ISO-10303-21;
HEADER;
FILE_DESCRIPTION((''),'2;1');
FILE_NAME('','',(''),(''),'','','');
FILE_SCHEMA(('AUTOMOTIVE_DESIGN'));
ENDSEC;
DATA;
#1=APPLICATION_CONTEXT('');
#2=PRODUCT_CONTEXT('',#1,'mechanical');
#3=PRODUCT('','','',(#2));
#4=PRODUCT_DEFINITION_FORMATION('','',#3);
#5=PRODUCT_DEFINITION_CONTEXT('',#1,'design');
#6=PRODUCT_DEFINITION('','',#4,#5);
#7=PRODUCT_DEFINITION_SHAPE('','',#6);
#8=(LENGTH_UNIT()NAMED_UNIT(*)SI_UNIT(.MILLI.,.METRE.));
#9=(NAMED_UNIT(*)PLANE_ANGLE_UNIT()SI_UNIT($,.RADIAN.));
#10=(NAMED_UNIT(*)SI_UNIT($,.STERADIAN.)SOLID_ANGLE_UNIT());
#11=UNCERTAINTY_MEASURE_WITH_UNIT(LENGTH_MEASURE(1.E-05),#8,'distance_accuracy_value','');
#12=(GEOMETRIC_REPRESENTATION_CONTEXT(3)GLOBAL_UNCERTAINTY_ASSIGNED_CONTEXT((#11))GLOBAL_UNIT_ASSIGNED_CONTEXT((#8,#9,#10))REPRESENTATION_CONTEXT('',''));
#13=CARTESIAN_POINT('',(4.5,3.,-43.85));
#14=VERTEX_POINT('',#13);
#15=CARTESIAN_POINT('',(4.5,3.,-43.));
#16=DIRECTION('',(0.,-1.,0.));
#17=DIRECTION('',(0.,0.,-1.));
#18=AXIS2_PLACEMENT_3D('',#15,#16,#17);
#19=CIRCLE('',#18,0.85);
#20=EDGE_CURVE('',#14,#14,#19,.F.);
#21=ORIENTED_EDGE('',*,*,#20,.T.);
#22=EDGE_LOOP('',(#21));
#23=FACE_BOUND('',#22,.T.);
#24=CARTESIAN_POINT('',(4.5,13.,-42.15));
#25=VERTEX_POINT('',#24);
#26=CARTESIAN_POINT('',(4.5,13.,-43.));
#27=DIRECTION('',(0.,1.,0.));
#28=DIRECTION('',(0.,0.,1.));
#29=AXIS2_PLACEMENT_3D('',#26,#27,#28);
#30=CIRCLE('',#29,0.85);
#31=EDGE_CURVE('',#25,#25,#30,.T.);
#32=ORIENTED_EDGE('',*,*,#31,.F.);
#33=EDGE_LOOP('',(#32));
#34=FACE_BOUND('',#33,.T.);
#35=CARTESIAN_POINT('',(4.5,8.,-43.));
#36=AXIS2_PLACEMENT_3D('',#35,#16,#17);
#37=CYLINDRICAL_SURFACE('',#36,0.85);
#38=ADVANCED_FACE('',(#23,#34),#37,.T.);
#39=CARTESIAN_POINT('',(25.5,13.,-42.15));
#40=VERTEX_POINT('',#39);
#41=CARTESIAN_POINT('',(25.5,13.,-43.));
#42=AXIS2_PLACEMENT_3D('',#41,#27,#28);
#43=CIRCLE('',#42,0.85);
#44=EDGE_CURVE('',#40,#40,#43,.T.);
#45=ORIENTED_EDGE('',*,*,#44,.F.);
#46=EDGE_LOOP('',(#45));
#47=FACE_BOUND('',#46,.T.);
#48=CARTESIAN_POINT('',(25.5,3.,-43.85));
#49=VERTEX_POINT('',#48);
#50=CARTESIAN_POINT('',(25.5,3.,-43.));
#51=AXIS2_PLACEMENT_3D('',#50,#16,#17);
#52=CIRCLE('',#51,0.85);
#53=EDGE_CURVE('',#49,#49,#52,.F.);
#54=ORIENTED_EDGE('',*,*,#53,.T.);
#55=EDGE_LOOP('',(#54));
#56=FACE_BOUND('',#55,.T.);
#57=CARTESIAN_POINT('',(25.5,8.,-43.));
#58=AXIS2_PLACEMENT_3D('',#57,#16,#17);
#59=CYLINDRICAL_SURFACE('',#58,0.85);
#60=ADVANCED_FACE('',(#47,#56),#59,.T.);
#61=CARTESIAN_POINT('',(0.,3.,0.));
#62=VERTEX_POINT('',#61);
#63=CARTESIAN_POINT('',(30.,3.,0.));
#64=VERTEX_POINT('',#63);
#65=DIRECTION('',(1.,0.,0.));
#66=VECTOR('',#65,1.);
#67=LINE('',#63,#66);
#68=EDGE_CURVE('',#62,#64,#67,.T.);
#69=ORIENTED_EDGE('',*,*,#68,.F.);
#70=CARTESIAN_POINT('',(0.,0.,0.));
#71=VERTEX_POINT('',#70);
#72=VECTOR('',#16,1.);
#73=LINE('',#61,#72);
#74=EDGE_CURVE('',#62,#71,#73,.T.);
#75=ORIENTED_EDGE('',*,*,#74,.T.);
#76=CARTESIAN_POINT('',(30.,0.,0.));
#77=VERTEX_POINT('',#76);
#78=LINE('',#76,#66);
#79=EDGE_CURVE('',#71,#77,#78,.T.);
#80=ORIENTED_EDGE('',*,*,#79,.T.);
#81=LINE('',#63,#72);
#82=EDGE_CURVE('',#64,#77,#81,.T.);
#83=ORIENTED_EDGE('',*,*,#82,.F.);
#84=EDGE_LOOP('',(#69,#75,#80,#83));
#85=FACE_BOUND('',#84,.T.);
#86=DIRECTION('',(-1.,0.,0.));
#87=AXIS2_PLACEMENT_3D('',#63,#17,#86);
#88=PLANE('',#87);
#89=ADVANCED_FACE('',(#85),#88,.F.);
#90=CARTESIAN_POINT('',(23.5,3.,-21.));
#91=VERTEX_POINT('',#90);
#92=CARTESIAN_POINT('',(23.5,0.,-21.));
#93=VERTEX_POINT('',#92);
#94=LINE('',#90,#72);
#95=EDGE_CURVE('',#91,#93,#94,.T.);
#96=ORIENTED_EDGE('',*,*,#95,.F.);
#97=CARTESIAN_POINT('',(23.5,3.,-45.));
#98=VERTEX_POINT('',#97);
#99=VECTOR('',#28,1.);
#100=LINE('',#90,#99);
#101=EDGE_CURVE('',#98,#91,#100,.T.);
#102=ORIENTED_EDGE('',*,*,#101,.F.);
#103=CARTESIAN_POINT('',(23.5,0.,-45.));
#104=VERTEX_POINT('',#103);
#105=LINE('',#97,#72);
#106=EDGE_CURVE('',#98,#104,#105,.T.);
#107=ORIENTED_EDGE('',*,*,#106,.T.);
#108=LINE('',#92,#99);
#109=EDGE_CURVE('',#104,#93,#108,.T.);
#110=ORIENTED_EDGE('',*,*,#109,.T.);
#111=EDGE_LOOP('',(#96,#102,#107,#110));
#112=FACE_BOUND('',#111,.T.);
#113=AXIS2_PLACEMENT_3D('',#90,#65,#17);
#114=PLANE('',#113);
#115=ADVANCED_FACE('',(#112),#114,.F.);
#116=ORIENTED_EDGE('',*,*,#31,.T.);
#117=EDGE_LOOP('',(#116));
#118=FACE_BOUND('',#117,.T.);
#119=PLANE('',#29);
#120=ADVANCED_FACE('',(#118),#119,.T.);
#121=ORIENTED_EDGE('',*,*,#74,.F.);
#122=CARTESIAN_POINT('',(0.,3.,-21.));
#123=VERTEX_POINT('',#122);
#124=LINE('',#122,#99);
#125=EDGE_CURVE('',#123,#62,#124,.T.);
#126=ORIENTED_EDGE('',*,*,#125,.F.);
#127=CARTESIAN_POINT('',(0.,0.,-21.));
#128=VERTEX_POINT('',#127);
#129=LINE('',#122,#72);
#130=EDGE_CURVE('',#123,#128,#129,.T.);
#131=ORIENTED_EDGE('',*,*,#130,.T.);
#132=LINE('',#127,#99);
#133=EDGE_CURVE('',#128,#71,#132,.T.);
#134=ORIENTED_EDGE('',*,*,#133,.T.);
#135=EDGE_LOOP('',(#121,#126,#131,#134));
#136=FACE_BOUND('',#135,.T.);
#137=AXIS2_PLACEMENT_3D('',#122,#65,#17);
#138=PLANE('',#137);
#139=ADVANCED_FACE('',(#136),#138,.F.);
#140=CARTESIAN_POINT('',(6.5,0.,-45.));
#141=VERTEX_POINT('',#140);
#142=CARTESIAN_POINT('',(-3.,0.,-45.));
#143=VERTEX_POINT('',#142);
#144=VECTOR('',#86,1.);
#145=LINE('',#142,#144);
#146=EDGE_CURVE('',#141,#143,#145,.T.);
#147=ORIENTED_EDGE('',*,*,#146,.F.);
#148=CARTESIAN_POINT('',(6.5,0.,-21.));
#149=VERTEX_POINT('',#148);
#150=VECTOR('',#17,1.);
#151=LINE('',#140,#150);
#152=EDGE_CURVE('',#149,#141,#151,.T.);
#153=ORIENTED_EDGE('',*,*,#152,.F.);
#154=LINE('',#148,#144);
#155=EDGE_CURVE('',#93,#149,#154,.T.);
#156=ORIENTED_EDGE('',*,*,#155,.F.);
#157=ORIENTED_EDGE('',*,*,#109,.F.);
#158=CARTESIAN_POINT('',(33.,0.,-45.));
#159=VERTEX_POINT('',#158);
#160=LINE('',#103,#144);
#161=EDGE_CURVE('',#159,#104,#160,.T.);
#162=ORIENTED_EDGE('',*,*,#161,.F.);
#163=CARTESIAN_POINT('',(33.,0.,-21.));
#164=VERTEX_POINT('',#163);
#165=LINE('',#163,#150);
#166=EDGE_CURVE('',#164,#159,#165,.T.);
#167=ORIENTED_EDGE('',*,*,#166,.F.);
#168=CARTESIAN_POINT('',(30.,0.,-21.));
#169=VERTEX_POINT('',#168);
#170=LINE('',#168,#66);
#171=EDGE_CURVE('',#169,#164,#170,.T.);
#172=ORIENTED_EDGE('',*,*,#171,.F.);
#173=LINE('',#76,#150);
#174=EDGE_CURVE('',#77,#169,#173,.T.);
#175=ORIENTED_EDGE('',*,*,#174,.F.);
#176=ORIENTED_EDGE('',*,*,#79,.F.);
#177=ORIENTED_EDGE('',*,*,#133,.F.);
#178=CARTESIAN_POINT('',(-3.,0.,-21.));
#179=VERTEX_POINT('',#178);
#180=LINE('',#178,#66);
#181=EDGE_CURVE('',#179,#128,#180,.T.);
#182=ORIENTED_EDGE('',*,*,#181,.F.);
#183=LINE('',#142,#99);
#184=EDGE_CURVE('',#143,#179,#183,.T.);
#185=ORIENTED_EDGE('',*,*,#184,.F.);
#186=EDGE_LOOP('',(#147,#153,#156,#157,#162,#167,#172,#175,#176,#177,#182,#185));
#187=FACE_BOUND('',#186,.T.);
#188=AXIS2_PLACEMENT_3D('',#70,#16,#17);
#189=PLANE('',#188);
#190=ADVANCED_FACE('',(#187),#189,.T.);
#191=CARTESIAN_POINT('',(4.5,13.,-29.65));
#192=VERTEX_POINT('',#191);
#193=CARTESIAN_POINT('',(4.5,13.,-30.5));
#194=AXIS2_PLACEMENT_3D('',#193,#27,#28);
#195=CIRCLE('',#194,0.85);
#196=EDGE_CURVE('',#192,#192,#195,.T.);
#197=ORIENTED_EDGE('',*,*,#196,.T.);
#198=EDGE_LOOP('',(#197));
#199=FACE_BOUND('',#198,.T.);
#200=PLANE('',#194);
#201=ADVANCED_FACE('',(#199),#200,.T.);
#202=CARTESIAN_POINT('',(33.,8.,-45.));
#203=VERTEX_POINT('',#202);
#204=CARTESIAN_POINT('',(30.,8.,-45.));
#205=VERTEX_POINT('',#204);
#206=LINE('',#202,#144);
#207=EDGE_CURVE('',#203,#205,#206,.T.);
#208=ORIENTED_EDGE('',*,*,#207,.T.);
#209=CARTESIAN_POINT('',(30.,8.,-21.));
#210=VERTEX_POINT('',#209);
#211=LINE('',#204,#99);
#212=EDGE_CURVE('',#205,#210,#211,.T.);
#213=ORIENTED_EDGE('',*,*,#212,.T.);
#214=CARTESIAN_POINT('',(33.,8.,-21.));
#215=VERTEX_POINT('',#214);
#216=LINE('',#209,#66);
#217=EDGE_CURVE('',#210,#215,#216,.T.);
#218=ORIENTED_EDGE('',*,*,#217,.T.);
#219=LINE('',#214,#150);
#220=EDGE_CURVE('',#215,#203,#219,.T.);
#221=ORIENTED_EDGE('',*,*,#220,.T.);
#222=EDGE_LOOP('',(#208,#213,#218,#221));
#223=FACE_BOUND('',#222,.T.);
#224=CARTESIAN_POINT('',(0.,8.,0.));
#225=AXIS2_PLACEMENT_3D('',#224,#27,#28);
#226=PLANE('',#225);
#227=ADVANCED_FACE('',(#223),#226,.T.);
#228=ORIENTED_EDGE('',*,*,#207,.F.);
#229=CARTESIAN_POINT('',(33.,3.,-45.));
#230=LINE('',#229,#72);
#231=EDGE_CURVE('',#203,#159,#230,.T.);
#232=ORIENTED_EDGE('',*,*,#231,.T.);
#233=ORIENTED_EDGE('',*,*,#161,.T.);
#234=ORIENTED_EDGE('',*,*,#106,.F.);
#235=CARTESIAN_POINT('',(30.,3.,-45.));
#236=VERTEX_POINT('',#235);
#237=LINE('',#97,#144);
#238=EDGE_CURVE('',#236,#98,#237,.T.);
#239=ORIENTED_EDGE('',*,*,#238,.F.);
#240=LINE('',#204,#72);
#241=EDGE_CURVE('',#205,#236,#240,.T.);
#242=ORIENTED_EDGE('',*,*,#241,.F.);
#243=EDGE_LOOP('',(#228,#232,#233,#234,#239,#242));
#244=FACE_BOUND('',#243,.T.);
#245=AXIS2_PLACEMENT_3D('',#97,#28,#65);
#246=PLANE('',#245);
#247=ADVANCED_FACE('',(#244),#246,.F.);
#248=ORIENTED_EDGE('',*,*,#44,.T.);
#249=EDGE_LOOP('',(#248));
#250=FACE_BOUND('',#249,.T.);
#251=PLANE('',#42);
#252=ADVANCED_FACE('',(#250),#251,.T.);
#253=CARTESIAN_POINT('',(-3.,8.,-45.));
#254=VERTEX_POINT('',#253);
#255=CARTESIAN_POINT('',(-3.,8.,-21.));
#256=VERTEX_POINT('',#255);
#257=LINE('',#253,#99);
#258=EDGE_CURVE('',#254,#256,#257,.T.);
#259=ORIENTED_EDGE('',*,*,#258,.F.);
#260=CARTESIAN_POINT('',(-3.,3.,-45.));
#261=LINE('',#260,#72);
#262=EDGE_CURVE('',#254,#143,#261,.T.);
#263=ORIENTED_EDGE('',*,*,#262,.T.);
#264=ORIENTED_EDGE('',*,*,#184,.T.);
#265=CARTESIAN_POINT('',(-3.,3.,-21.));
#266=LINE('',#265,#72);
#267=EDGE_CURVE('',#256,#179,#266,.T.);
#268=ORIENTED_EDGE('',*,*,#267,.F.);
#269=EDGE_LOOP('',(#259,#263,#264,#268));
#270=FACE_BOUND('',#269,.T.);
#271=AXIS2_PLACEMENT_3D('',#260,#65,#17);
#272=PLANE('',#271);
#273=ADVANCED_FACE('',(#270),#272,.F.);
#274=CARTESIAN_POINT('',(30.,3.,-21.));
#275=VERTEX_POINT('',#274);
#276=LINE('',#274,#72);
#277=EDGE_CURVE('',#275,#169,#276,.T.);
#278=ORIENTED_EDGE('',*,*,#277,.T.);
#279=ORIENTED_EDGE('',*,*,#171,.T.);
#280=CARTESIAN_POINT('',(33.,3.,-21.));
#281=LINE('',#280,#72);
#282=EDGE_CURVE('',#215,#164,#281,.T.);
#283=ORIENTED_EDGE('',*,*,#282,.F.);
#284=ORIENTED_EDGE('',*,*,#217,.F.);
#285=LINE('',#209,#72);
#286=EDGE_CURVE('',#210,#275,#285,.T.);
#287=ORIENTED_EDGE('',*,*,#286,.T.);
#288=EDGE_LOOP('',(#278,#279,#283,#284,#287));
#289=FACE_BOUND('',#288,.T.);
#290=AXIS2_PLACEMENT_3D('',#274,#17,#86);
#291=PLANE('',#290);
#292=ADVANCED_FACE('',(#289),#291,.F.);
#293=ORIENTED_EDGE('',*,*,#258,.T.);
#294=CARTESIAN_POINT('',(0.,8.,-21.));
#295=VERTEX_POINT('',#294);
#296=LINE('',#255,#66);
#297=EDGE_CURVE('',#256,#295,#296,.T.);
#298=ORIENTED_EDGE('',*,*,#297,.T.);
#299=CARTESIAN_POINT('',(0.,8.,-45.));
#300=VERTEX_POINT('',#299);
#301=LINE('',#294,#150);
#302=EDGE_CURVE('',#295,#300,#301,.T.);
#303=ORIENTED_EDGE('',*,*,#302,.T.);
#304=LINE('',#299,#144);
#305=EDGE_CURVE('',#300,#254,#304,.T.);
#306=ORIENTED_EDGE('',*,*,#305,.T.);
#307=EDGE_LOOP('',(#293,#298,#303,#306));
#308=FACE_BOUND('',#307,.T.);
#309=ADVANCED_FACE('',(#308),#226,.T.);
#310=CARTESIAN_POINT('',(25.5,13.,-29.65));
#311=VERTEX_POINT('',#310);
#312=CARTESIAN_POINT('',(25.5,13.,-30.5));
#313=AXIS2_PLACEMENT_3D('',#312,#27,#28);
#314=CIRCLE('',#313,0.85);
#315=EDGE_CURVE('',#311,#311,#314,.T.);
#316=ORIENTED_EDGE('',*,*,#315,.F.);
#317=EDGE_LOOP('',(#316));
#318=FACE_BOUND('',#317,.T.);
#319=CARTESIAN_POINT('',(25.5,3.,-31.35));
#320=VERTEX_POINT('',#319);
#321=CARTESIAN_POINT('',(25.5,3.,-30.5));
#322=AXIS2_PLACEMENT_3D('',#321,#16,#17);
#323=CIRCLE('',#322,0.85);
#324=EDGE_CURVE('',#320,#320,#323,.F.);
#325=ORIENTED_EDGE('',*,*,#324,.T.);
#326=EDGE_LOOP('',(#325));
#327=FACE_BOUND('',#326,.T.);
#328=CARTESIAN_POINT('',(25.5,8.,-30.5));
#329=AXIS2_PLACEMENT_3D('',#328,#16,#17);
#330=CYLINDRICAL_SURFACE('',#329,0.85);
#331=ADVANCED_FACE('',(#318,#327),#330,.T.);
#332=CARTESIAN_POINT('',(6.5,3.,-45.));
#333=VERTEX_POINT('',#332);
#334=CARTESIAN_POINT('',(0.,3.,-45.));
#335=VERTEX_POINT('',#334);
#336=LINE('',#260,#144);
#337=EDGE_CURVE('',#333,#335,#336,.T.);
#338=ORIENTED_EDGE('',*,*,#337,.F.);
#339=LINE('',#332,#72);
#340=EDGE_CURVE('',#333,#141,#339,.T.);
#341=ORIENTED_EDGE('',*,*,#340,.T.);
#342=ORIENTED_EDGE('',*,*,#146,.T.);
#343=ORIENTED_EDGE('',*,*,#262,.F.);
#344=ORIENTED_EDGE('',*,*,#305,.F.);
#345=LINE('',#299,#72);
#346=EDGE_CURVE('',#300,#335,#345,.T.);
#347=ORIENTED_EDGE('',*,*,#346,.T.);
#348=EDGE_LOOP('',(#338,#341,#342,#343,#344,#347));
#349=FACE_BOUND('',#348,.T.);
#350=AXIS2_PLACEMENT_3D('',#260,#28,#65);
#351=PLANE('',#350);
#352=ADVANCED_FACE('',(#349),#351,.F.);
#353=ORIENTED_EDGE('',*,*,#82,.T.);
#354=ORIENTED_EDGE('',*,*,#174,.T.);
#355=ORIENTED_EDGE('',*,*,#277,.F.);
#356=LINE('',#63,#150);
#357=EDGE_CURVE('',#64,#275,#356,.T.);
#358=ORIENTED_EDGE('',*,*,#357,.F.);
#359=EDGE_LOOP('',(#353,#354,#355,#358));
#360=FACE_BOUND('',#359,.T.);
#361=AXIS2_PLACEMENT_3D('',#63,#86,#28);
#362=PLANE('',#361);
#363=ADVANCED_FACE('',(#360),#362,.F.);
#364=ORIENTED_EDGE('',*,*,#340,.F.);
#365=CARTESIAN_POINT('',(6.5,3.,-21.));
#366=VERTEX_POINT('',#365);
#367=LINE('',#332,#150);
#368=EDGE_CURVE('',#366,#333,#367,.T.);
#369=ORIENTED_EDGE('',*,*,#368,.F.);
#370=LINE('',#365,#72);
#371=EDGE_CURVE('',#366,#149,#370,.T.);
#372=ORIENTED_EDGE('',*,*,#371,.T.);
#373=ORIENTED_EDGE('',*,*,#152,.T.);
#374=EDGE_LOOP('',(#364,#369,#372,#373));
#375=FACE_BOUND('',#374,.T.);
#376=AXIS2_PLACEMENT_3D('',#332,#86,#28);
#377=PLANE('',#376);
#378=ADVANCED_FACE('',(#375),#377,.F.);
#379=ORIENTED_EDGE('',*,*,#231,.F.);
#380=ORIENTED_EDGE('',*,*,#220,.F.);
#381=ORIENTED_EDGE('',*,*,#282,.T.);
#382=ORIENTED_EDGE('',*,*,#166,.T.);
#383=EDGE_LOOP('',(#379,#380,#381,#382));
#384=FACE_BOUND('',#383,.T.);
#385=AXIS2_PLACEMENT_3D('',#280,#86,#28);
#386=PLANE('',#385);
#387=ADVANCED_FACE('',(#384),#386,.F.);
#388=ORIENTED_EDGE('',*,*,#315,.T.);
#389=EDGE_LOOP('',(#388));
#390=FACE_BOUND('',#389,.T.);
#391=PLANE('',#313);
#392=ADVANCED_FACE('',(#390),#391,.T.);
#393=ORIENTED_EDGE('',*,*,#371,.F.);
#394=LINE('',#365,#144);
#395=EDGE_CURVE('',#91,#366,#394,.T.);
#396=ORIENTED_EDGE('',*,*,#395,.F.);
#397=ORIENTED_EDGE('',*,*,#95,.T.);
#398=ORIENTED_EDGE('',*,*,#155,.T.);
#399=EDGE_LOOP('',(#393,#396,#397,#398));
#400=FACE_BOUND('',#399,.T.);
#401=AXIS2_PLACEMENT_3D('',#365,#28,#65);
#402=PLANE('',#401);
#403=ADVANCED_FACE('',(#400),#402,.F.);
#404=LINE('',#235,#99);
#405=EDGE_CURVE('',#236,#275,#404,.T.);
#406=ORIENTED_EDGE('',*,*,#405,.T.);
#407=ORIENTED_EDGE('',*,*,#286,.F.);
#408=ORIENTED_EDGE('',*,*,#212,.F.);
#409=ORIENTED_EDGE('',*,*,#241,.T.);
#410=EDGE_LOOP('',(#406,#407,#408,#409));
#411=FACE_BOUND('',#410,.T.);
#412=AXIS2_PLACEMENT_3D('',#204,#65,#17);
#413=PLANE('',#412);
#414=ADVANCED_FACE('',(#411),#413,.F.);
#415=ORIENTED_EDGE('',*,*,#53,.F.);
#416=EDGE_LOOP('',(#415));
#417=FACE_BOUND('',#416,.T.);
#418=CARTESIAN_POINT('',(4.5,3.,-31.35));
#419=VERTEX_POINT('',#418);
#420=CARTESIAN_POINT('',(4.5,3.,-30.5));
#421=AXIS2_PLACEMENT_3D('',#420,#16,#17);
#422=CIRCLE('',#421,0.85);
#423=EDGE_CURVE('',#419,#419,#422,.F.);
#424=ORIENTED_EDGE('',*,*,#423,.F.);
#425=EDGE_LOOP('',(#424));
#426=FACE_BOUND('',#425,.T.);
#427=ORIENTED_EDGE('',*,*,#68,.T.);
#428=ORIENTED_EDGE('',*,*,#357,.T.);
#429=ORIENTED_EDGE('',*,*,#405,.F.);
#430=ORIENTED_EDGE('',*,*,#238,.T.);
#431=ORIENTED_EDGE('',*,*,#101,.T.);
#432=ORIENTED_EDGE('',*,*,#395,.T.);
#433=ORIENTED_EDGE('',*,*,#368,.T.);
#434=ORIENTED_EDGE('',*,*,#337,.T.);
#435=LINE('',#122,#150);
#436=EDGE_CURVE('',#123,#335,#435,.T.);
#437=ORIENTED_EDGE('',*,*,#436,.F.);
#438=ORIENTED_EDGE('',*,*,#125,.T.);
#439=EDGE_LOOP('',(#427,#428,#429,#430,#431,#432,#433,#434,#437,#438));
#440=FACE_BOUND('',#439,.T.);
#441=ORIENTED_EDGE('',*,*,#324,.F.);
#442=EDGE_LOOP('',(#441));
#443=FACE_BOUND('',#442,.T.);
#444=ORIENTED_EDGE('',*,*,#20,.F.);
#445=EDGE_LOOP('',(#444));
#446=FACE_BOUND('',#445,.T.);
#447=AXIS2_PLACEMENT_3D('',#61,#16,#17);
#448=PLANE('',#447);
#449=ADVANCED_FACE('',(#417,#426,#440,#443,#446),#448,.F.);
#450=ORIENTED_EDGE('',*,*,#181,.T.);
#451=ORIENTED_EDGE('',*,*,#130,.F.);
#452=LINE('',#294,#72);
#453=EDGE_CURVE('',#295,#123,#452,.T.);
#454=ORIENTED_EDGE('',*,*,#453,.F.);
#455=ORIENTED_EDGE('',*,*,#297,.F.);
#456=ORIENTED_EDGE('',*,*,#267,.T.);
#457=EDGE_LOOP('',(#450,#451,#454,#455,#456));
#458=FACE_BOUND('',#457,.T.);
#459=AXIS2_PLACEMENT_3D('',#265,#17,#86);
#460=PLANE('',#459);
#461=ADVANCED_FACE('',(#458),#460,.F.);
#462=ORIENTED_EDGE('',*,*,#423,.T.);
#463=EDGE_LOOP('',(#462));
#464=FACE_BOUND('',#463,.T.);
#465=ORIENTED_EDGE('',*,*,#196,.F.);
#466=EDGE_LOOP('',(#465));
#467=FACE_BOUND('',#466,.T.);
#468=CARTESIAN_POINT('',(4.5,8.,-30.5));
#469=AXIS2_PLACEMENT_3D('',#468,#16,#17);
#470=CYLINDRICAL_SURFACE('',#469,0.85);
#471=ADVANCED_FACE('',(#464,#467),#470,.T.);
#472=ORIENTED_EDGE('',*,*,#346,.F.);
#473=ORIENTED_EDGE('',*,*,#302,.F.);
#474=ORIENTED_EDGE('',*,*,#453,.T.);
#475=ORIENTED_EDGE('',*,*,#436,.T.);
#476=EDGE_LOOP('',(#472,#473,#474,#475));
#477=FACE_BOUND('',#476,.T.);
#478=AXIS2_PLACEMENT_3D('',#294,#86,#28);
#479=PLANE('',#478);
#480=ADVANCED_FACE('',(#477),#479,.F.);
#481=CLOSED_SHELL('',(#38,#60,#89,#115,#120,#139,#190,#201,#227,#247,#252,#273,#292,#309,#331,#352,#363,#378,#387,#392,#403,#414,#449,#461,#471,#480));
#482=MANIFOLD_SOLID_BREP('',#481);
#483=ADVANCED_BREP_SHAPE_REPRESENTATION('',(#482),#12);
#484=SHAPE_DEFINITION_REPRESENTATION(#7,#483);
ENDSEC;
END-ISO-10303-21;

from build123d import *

# Parameters (mm, degrees)
BOSS_EXTRUDE1_DEPTH = 3
SKETCH2_R           = 0.85
SKETCH2_W           = 3
SKETCH2_H           = 24
BOSS_EXTRUDE2_DEPTH = 5
SKETCH3_R           = 0.85
BOSS_EXTRUDE3_DEPTH = 5


with BuildPart() as part:
    # Sketch1 → Boss-Extrude1 (new body)
    with BuildSketch(Plane(origin=(0, 0, 0), x_dir=(1, 0, 0), z_dir=(0, 1, 0))):
        Polygon((30, 0), (0, 0), (0, 21), (-3, 21), (-3, 45), (6.5, 45), (6.5, 21), (23.5, 21), (23.5, 45), (33, 45), (33, 21), (30, 21), align=None)
    extrude(amount=BOSS_EXTRUDE1_DEPTH)

    # Sketch2 → Boss-Extrude2 (add)
    with BuildSketch(Plane(origin=(0, 3, 0), x_dir=(1, 0, 0), z_dir=(0, 1, 0))):
        with Locations(Location((4.5, 43, 0), (0, 0, 90))):
            Circle(SKETCH2_R)
        with Locations(Location((25.5, 43, 0), (0, 0, 90))):
            Circle(SKETCH2_R)
        with Locations(Location((25.5, 30.5, 0), (0, 0, 90))):
            Circle(SKETCH2_R)
        with Locations(Location((4.5, 30.5, 0), (0, 0, 90))):
            Circle(SKETCH2_R)
        with Locations((-1.5, 33)):
            Rectangle(SKETCH2_W, SKETCH2_H)
        with Locations((31.5, 33)):
            Rectangle(SKETCH2_W, SKETCH2_H)
    extrude(amount=BOSS_EXTRUDE2_DEPTH)

    # Sketch3 → Boss-Extrude3 (add)
    with BuildSketch(Plane(origin=(0, 8, 0), x_dir=(1, 0, 0), z_dir=(0, 1, 0))):
        with Locations(Location((4.5, 43, 0), (0, 0, 90))):
            Circle(SKETCH3_R)
        with Locations(Location((25.5, 43, 0), (0, 0, 90))):
            Circle(SKETCH3_R)
        with Locations(Location((25.5, 30.5, 0), (0, 0, 90))):
            Circle(SKETCH3_R)
        with Locations(Location((4.5, 30.5, 0), (0, 0, 90))):
            Circle(SKETCH3_R)
    extrude(amount=BOSS_EXTRUDE3_DEPTH)


solid = part.part
